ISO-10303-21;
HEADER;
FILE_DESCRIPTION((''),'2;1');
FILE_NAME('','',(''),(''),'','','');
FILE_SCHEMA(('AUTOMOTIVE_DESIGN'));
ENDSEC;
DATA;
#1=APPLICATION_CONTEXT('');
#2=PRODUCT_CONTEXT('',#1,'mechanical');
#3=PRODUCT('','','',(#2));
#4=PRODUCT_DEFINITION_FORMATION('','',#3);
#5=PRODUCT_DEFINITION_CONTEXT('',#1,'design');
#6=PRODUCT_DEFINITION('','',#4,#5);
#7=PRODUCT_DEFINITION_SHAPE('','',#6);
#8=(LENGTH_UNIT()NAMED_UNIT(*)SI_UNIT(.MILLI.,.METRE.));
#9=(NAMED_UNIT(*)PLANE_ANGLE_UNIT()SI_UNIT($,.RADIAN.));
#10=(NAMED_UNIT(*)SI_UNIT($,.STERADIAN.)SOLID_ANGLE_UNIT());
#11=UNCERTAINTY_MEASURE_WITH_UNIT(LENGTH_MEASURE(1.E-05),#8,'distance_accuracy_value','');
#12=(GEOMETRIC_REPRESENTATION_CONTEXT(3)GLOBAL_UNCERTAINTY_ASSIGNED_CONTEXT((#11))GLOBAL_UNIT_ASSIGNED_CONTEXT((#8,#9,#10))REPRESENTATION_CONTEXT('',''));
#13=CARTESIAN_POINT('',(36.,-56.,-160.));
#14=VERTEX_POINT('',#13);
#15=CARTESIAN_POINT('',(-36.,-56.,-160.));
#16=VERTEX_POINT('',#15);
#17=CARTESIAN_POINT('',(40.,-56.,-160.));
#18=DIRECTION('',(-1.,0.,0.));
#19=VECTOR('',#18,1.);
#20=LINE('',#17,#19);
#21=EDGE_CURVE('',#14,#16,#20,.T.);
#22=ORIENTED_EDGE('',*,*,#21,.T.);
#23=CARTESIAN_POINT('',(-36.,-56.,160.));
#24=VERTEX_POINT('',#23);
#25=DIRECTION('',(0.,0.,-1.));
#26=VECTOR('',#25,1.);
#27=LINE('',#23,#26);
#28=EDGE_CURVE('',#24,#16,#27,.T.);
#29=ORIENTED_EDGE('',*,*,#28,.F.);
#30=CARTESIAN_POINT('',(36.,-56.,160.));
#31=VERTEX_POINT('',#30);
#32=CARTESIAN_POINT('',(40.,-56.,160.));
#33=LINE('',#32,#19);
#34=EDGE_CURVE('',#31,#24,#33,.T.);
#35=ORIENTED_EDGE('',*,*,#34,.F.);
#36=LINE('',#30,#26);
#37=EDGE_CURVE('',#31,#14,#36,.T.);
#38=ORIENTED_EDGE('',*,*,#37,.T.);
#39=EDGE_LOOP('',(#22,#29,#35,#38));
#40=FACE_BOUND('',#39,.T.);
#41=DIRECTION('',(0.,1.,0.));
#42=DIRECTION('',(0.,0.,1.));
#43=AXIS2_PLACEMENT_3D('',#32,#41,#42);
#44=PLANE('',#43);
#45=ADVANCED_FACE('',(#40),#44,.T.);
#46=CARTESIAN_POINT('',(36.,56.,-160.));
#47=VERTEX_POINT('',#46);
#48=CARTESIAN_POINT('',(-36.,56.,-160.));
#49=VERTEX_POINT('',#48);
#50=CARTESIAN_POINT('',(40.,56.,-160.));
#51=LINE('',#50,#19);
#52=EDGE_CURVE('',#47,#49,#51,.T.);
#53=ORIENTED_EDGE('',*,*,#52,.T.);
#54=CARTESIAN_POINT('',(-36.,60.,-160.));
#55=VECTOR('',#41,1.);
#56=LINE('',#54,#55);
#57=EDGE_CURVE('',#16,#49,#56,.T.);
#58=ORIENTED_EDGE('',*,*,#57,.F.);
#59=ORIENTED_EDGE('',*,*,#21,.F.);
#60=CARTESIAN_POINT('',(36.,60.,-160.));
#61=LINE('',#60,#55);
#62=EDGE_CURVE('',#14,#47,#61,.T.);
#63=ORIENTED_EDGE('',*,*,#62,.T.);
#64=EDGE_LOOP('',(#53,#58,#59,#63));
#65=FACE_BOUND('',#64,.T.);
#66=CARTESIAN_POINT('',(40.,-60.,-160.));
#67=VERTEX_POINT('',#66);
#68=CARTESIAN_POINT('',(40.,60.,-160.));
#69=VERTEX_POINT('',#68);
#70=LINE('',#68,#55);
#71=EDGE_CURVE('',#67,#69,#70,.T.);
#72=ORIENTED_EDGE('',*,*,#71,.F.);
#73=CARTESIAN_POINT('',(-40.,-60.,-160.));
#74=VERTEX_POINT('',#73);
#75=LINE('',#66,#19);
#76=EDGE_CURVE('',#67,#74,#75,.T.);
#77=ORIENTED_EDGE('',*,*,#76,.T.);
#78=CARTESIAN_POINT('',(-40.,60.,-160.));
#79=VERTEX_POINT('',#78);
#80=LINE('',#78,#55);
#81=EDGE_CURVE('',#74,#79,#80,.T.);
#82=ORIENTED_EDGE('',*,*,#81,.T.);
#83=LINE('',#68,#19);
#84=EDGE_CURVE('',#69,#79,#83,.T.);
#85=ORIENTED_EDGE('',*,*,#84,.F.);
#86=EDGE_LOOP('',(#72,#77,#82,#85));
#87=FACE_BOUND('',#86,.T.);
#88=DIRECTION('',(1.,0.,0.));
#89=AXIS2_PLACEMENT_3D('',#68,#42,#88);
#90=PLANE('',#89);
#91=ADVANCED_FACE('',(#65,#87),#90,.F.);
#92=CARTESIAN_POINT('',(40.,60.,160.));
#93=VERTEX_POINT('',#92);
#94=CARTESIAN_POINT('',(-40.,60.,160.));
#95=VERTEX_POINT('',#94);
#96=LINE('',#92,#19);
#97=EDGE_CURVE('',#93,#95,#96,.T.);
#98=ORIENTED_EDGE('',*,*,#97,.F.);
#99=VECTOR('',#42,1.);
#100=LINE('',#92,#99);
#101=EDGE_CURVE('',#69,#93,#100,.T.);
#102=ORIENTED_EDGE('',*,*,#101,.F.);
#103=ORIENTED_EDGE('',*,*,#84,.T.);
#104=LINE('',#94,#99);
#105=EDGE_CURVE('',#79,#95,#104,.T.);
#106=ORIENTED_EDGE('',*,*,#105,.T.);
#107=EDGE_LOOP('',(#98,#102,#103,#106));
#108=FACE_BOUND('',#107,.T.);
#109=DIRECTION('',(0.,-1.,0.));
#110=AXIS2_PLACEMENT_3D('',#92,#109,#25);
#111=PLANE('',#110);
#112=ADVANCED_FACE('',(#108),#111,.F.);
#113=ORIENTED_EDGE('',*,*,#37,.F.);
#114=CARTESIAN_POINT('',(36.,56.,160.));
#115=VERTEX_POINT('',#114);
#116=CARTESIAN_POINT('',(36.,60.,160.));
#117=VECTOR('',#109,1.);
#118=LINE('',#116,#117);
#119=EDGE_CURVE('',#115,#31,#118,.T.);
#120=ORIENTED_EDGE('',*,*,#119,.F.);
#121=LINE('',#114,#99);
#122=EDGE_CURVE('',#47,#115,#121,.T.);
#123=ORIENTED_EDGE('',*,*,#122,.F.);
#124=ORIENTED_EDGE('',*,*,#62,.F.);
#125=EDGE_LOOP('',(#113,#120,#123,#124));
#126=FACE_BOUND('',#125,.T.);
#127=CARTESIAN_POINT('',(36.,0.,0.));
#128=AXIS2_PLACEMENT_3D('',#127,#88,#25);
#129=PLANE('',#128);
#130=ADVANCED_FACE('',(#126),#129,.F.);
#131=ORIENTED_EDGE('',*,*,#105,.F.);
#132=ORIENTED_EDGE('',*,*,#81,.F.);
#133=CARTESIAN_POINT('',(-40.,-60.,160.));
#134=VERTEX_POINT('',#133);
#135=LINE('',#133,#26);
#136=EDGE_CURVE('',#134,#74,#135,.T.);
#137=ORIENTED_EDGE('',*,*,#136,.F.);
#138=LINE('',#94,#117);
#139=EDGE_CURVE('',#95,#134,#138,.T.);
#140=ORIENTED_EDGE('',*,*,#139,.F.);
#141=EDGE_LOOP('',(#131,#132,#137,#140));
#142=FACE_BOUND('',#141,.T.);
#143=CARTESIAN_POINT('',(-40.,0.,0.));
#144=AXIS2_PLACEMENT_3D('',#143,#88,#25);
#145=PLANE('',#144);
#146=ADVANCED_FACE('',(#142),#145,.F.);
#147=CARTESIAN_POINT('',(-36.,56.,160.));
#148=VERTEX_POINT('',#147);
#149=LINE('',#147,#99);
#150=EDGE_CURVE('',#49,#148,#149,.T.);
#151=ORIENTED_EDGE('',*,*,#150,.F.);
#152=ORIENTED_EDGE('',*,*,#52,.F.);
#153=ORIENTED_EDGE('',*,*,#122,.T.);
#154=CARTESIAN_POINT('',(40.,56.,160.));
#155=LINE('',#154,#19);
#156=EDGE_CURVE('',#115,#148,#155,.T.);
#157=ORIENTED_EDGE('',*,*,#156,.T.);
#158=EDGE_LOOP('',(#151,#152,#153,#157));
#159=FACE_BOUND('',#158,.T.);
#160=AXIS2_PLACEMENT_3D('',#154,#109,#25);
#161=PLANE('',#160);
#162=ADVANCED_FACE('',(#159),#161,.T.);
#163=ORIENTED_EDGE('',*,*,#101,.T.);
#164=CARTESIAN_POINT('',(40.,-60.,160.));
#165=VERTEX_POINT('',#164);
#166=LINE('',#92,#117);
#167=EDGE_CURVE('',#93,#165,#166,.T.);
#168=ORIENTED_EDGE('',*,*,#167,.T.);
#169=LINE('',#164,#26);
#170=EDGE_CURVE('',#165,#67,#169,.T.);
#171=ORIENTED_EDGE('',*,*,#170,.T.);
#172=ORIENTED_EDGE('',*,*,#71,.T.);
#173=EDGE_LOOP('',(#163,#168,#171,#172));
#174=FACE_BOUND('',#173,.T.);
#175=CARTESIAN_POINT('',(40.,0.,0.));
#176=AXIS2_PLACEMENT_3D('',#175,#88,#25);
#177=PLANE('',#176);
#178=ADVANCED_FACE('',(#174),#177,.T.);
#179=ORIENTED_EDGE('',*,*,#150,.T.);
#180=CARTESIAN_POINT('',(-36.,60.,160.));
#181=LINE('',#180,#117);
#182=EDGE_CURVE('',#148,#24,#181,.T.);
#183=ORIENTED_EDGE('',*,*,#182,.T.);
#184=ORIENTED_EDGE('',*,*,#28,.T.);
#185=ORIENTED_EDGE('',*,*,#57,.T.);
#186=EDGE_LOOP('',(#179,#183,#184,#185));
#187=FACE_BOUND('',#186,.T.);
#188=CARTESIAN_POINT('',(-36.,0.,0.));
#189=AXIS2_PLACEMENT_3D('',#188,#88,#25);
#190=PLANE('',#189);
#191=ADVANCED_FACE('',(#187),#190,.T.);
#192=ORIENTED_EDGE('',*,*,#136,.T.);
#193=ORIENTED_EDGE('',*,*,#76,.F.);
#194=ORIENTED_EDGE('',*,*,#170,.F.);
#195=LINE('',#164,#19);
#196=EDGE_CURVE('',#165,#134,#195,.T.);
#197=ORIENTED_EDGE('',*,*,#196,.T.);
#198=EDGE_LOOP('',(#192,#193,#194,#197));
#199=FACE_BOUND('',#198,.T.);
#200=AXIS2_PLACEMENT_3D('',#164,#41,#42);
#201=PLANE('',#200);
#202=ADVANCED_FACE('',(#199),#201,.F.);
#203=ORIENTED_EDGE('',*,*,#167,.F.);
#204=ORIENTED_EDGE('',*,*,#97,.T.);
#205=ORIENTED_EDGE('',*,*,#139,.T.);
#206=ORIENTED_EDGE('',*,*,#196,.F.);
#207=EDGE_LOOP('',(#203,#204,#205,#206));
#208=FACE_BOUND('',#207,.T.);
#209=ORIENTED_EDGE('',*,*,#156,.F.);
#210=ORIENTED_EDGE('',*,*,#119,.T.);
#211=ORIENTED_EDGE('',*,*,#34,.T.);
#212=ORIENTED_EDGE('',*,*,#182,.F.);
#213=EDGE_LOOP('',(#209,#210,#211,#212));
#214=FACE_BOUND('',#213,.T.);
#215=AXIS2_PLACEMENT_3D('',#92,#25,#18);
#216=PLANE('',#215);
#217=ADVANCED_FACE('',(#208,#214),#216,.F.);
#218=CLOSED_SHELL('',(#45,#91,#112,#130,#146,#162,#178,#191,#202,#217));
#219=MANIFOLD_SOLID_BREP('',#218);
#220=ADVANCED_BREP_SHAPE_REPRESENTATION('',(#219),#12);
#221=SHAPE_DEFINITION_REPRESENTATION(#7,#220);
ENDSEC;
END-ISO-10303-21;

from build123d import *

# Parameters (mm, degrees)
SKETCH1_W           = 320
SKETCH1_H           = 120
BOSS_EXTRUDE1_DEPTH = 40
SHELL1_T            = -4


with BuildPart() as part:
    # Sketch1 → Boss-Extrude1 (new, symmetric)
    with BuildSketch(Plane(origin=(0, 0, 0), x_dir=(0, 0, -1), z_dir=(1, 0, 0))):
        Rectangle(SKETCH1_W, SKETCH1_H)
    extrude(amount=BOSS_EXTRUDE1_DEPTH, both=True)

    # Shell1
    shell1_openings = [part.faces().sort_by_distance(p)[0] for p in [
        (0, 0, -160),
        (0, 0, 160),
    ]]
    offset(amount=SHELL1_T, openings=shell1_openings, kind=Kind.INTERSECTION)


solid = part.part
